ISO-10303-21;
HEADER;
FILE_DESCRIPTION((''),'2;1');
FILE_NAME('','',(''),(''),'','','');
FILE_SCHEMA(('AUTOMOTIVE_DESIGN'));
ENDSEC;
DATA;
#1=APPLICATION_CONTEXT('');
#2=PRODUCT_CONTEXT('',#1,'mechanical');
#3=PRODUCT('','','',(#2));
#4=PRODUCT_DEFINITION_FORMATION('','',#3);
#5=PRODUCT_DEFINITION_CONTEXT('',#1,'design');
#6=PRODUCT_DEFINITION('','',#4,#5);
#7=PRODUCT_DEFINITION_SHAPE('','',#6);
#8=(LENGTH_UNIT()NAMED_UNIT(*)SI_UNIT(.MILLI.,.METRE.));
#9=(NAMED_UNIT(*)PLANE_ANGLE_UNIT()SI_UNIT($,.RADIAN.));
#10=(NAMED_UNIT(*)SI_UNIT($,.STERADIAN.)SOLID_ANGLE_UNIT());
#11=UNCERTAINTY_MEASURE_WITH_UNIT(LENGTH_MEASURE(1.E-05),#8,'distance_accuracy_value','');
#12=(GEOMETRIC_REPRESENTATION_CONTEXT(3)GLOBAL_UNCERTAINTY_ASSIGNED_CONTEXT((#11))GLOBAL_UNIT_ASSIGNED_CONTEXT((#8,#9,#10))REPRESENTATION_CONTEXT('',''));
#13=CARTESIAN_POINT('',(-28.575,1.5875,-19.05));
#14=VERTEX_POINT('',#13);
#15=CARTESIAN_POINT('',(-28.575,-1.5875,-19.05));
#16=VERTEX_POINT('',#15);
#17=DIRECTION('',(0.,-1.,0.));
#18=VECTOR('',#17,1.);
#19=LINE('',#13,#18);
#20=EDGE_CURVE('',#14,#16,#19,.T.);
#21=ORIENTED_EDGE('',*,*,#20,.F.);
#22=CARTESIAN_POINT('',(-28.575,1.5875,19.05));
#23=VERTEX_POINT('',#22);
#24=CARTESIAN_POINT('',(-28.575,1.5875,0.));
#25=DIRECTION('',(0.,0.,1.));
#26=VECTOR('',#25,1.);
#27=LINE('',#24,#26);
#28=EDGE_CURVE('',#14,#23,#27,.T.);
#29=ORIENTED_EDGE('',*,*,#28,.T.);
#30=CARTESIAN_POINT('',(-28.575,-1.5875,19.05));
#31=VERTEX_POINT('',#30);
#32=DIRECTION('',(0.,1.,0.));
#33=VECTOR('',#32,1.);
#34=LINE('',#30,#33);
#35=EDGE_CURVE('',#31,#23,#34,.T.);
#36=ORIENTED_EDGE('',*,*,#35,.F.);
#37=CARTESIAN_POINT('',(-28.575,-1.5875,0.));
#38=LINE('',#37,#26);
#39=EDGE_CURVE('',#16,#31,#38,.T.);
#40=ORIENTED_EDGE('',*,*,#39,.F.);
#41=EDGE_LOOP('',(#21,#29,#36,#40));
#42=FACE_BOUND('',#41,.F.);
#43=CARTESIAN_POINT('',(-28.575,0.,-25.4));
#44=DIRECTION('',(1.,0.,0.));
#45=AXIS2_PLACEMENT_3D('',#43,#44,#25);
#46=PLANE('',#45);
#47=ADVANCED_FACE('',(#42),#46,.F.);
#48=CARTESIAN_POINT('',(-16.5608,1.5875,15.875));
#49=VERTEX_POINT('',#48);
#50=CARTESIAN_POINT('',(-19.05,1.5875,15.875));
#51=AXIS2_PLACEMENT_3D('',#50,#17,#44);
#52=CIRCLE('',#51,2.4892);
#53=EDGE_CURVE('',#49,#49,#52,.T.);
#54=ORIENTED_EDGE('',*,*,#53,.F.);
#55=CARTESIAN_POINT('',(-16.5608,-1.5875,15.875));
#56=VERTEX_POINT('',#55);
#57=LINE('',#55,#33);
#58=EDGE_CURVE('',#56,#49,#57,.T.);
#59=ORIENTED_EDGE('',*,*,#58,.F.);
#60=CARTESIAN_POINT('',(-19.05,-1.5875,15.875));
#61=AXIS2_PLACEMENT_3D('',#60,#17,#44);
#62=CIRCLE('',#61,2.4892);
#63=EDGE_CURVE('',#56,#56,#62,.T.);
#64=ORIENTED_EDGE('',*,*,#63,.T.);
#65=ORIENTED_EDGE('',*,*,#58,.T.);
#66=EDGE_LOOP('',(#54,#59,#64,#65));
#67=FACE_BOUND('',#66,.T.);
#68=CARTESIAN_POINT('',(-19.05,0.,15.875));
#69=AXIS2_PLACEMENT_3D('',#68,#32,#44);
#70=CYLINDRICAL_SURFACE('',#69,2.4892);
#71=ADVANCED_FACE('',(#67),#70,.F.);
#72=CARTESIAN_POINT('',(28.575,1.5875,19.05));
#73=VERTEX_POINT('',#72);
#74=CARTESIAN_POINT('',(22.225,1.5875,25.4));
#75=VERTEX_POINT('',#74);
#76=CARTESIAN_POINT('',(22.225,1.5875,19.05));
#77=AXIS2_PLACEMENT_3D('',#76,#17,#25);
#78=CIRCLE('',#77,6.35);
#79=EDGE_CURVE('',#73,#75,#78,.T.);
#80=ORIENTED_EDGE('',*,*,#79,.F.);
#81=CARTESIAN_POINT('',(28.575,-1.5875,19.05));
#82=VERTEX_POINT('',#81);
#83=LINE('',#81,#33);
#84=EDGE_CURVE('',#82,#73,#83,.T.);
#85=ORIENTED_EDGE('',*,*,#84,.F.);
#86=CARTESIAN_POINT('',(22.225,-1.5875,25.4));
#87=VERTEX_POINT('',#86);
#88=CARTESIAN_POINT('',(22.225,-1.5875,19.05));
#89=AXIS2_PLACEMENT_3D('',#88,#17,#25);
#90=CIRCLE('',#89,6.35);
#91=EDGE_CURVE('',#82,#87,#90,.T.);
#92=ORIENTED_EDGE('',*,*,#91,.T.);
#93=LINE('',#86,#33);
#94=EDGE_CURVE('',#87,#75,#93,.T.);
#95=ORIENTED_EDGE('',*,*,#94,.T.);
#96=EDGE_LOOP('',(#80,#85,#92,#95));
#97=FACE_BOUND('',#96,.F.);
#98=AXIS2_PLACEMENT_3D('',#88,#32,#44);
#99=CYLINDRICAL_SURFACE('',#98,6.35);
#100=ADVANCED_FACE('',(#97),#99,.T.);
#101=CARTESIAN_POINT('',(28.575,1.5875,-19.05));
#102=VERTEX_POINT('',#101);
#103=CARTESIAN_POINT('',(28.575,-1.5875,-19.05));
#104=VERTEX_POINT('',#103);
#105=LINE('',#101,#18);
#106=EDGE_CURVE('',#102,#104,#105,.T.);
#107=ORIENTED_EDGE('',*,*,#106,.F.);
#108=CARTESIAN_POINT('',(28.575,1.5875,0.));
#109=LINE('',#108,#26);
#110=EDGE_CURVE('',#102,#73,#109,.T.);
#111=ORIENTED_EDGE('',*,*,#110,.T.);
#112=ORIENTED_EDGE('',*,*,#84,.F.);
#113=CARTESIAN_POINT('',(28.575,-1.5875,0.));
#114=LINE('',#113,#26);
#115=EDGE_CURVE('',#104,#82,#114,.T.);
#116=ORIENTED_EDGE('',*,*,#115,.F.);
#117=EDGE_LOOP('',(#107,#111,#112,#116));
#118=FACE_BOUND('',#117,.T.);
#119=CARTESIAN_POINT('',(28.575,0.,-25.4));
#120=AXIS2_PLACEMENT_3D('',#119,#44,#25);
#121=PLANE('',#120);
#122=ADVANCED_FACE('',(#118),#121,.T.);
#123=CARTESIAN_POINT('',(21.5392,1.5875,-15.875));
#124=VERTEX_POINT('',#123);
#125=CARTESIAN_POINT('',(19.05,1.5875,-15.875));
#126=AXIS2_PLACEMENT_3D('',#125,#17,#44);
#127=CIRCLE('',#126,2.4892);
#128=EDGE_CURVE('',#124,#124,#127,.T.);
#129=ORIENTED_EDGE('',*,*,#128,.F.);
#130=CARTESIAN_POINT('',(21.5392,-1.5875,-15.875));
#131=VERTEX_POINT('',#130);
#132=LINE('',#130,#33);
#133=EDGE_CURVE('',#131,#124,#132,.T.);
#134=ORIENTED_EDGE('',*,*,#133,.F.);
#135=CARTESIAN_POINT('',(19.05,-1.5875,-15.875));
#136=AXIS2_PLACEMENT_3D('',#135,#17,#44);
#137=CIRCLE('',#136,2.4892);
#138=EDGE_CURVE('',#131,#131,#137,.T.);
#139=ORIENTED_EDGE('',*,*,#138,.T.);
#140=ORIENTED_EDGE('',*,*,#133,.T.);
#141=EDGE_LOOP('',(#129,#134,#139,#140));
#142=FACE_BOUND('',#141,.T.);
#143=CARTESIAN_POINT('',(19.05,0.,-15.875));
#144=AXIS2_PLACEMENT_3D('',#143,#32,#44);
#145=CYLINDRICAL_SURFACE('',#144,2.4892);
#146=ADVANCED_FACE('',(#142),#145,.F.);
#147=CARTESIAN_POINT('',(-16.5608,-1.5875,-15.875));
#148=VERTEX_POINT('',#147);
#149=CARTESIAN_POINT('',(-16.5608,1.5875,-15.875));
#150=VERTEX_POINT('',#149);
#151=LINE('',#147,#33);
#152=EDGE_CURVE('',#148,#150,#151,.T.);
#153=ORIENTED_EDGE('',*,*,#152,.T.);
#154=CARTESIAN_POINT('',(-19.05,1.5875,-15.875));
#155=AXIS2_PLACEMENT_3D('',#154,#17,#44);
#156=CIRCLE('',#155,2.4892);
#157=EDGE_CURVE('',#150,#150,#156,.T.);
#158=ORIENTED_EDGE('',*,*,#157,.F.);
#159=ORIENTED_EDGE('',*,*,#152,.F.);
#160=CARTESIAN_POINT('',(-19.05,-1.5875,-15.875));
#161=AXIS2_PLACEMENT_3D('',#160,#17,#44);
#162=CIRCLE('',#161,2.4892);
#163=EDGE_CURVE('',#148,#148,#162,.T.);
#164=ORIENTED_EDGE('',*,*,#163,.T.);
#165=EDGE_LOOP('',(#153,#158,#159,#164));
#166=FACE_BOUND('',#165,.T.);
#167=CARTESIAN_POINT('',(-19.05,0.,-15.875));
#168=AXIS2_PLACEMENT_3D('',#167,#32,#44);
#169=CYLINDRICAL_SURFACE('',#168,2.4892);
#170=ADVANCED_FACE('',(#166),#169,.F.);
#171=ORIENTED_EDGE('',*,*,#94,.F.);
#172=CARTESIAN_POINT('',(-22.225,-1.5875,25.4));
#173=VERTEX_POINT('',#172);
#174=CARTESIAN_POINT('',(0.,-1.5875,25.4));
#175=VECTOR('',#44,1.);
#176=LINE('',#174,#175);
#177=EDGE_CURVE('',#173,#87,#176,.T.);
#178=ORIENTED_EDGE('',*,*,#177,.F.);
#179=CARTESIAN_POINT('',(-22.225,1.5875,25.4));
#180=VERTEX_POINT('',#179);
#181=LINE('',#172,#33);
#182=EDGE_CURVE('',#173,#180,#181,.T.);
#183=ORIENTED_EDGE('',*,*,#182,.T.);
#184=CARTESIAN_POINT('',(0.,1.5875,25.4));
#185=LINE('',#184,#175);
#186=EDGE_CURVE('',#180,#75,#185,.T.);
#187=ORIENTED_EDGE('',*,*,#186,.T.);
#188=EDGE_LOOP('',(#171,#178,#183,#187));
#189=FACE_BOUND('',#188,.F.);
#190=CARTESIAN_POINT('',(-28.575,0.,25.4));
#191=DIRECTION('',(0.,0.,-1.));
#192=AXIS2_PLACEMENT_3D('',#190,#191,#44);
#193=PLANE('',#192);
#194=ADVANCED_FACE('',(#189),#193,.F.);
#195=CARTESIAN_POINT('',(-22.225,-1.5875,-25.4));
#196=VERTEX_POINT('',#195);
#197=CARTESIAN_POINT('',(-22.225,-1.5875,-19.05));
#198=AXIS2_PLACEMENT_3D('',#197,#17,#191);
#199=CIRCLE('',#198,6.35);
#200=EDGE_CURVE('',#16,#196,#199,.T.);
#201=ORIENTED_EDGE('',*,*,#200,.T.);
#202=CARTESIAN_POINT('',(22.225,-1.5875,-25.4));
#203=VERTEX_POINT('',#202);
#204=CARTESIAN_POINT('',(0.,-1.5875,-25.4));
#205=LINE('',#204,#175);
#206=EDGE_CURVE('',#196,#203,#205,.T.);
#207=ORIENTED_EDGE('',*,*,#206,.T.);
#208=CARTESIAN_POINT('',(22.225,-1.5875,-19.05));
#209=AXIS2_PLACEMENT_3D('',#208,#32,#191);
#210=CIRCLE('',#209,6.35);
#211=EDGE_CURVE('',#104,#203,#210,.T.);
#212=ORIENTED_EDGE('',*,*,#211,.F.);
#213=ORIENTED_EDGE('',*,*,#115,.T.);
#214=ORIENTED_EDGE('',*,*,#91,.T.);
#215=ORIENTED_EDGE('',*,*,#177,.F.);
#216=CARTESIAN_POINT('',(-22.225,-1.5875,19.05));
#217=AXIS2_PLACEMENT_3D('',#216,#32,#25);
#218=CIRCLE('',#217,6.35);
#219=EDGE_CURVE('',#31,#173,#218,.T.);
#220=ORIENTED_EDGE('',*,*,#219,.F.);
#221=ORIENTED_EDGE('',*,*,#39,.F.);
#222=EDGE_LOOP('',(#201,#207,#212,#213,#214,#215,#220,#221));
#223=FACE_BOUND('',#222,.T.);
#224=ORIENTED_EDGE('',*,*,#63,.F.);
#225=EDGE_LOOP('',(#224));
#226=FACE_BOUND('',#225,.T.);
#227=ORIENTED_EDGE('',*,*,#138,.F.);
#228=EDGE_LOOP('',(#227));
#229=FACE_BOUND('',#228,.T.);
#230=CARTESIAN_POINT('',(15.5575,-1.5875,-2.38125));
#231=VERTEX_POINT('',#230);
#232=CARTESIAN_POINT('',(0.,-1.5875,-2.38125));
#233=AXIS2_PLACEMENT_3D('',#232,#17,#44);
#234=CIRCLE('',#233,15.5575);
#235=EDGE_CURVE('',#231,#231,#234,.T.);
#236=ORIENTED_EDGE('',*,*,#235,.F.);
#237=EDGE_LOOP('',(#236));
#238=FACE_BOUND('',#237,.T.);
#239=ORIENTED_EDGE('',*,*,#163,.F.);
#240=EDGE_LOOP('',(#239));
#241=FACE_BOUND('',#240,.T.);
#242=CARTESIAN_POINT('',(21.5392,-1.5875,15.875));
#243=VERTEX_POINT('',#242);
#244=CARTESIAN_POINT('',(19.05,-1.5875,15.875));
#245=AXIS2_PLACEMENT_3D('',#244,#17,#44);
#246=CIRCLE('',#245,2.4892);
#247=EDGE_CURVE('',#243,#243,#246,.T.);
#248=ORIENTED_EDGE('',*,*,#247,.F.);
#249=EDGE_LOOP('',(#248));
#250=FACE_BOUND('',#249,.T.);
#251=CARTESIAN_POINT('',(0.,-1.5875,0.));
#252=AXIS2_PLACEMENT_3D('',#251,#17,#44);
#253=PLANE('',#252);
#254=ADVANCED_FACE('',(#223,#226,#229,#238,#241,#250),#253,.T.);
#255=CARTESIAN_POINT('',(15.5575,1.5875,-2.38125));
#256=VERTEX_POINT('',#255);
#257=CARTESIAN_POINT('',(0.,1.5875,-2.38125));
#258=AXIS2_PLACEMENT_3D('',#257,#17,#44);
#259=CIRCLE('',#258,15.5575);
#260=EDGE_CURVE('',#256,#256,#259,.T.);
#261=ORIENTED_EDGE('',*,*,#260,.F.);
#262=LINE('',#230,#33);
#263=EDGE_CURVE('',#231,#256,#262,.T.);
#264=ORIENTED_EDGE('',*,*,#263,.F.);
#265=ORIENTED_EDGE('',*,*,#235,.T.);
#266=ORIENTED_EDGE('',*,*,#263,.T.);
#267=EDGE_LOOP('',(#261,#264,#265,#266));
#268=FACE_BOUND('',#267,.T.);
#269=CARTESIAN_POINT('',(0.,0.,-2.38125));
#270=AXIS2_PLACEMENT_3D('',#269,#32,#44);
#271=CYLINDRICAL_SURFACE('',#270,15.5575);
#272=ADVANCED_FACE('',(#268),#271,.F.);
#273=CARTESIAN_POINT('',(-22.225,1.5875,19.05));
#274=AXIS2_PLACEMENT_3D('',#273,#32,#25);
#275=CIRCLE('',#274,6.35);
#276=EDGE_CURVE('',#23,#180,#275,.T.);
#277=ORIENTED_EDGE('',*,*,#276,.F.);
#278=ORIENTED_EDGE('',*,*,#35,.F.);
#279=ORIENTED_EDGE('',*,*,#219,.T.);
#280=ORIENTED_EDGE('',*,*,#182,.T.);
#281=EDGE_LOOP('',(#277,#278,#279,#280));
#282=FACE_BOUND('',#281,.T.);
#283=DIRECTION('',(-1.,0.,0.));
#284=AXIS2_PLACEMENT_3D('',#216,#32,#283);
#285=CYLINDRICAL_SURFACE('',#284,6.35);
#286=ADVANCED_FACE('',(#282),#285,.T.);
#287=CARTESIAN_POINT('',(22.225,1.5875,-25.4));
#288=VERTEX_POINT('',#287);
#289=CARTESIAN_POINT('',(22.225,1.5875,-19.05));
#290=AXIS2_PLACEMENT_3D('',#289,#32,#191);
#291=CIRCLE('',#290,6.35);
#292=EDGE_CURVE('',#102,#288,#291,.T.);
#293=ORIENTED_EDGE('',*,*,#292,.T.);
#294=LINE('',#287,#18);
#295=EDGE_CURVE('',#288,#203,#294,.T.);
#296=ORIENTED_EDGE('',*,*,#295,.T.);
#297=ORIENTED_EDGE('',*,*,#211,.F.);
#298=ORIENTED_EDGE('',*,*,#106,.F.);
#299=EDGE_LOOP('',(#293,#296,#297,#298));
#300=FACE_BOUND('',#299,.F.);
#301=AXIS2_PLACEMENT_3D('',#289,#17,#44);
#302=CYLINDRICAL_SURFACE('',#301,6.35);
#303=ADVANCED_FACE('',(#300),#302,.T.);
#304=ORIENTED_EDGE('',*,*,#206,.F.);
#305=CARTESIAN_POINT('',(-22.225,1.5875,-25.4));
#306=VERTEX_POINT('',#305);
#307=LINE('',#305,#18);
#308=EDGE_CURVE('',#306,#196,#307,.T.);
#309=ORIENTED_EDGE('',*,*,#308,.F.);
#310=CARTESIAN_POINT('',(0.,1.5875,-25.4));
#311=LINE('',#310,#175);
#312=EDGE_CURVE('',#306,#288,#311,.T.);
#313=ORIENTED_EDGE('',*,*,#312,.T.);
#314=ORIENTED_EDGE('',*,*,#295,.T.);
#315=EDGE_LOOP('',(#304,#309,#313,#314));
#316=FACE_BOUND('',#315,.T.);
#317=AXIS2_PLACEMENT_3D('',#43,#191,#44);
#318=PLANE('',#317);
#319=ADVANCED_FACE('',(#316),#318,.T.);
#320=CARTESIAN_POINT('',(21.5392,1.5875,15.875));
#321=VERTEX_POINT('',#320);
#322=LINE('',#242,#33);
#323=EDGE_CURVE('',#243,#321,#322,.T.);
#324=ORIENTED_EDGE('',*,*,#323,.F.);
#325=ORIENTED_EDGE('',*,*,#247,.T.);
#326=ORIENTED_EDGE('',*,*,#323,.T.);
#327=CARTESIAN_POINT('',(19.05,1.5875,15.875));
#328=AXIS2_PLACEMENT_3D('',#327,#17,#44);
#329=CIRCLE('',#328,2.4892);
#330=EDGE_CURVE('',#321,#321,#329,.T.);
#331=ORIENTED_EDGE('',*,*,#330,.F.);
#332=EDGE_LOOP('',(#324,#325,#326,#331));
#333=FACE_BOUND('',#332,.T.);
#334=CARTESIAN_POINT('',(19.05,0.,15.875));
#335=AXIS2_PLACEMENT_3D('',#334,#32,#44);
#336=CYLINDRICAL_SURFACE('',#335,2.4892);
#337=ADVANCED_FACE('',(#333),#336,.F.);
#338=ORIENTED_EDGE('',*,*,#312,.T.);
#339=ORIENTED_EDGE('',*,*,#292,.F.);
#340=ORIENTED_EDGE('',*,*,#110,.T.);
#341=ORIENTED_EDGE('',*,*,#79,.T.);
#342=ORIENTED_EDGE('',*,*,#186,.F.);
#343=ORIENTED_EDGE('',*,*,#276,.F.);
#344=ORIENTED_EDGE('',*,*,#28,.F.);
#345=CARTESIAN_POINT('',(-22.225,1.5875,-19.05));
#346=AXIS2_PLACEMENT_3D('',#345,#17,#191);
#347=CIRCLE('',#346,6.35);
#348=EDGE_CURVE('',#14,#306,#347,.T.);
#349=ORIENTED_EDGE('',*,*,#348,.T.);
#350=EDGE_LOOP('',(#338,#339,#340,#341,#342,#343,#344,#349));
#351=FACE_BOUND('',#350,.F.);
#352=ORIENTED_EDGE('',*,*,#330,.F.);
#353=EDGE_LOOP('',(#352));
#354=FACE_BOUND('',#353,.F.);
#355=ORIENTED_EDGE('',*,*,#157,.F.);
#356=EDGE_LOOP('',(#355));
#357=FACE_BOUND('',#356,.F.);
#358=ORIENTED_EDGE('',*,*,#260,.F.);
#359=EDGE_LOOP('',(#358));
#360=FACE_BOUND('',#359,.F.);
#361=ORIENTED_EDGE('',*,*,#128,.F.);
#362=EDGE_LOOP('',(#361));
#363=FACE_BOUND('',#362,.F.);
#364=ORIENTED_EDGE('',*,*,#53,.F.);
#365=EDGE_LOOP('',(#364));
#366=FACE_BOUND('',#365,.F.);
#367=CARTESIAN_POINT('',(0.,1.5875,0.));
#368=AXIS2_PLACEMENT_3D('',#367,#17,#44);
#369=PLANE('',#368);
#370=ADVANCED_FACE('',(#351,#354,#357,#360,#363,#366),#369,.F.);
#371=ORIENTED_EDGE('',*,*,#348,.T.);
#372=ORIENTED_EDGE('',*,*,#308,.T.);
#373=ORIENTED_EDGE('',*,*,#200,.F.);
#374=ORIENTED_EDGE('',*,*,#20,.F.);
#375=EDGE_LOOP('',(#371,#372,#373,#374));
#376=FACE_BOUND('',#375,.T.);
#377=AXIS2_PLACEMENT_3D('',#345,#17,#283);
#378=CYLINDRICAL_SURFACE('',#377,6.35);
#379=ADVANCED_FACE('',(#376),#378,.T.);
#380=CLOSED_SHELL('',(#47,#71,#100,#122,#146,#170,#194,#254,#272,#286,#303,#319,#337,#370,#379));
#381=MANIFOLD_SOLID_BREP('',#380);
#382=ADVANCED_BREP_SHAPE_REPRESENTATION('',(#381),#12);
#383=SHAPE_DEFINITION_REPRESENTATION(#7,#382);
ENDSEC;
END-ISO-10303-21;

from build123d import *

# Parameters (mm, degrees)
F0_W     = 57.15
F0_H     = 50.8
F0_R     = 2.4892
F0_R_2   = 15.5575
F1_DEPTH = 1.5875
F2_R     = 6.35


with BuildPart() as f1:
    # F0 (on Front) → F1 (new body, symmetric)
    with BuildSketch(Plane.XZ):
        Rectangle(F0_W, F0_H)
        with Locations((-19.05, -15.875)):
            Circle(F0_R, mode=Mode.SUBTRACT)
        with Locations((19.05, -15.875)):
            Circle(F0_R, mode=Mode.SUBTRACT)
        with Locations((0, -2.38125)):
            Circle(F0_R_2, mode=Mode.SUBTRACT)
        with Locations((-19.05, 15.875)):
            Circle(F0_R, mode=Mode.SUBTRACT)
        with Locations((19.05, 15.875)):
            Circle(F0_R, mode=Mode.SUBTRACT)
    extrude(amount=F1_DEPTH, both=True)

    # F2
    f2_edges = [f1.edges().sort_by_distance(p)[0] for p in [
        (-28.575, 0, 25.4),
        (28.575, 0, 25.4),
        (28.575, 0, -25.4),
        (-28.575, 0, -25.4),
    ]]
    fillet(f2_edges, radius=F2_R)


solid = f1.part
